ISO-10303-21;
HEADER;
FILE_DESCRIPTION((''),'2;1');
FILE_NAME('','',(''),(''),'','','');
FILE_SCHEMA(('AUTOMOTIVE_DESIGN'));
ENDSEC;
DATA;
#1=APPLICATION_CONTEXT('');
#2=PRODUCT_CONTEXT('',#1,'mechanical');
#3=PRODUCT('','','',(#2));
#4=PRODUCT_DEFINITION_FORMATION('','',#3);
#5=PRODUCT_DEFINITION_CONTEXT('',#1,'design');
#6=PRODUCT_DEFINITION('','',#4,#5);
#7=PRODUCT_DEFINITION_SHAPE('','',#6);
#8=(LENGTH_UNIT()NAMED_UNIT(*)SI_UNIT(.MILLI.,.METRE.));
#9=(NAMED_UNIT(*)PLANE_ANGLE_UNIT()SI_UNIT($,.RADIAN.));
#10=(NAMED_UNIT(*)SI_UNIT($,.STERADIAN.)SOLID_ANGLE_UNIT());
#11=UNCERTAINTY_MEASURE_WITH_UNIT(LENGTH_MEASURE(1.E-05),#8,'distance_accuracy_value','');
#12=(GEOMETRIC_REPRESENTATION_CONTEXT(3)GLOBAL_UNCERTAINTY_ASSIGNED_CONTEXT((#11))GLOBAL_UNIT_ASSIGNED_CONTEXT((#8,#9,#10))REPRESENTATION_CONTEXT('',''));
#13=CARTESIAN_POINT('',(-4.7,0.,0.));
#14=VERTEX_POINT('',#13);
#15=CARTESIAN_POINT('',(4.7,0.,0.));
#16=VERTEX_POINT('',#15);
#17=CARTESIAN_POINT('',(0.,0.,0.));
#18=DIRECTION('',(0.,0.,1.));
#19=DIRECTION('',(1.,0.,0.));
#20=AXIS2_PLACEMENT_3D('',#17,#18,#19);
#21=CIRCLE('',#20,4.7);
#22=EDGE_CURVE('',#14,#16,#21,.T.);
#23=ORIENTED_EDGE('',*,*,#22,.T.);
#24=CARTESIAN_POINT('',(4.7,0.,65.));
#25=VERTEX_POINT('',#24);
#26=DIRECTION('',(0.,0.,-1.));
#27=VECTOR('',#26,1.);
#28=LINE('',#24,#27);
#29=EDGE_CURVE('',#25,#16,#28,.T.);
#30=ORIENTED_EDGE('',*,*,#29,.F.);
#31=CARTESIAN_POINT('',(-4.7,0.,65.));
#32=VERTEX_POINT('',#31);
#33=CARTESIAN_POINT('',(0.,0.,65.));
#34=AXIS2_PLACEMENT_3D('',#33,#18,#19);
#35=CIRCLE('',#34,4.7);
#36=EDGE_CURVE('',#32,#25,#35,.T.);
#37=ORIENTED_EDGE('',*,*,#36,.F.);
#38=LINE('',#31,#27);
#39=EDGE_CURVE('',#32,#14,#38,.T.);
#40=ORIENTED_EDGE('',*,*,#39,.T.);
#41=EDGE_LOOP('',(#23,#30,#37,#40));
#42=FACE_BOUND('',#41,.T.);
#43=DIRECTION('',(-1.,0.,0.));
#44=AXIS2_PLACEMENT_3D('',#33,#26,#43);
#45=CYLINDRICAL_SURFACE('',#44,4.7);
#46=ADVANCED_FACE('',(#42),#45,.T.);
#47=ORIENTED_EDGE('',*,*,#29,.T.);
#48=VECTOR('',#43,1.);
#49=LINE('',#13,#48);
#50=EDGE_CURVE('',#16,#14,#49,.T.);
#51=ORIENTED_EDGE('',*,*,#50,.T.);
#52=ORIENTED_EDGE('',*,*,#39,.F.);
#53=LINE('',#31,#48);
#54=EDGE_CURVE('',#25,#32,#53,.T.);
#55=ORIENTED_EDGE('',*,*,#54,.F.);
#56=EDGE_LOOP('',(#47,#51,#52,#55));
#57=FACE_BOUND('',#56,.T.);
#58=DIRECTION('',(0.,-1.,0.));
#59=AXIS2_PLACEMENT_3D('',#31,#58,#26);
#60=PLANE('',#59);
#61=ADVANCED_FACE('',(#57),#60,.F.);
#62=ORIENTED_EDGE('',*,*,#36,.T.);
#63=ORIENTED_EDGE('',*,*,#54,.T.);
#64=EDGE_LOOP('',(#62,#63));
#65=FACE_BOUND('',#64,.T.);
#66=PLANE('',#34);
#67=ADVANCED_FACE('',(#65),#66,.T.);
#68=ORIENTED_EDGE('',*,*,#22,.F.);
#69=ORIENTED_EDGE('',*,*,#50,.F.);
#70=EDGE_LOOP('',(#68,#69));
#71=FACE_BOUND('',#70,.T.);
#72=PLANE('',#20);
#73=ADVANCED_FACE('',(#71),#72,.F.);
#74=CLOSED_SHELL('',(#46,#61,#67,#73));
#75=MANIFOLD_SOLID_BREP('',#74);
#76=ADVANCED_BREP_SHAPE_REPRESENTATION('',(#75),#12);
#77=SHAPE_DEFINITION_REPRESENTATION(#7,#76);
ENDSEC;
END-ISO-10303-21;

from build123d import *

# Parameters (mm, degrees)
BOSS_EXTRUDE1_DEPTH = 65


with BuildPart() as part:
    # Sketch1 → Boss-Extrude1 (new body)
    with BuildSketch(Plane.XY):
        with BuildLine():
            Line((-4.7, 0), (4.7, 0))
            ThreePointArc((4.7, 0), (0, -4.7), (-4.7, 0))
        make_face()
    extrude(amount=BOSS_EXTRUDE1_DEPTH)


solid = part.part
